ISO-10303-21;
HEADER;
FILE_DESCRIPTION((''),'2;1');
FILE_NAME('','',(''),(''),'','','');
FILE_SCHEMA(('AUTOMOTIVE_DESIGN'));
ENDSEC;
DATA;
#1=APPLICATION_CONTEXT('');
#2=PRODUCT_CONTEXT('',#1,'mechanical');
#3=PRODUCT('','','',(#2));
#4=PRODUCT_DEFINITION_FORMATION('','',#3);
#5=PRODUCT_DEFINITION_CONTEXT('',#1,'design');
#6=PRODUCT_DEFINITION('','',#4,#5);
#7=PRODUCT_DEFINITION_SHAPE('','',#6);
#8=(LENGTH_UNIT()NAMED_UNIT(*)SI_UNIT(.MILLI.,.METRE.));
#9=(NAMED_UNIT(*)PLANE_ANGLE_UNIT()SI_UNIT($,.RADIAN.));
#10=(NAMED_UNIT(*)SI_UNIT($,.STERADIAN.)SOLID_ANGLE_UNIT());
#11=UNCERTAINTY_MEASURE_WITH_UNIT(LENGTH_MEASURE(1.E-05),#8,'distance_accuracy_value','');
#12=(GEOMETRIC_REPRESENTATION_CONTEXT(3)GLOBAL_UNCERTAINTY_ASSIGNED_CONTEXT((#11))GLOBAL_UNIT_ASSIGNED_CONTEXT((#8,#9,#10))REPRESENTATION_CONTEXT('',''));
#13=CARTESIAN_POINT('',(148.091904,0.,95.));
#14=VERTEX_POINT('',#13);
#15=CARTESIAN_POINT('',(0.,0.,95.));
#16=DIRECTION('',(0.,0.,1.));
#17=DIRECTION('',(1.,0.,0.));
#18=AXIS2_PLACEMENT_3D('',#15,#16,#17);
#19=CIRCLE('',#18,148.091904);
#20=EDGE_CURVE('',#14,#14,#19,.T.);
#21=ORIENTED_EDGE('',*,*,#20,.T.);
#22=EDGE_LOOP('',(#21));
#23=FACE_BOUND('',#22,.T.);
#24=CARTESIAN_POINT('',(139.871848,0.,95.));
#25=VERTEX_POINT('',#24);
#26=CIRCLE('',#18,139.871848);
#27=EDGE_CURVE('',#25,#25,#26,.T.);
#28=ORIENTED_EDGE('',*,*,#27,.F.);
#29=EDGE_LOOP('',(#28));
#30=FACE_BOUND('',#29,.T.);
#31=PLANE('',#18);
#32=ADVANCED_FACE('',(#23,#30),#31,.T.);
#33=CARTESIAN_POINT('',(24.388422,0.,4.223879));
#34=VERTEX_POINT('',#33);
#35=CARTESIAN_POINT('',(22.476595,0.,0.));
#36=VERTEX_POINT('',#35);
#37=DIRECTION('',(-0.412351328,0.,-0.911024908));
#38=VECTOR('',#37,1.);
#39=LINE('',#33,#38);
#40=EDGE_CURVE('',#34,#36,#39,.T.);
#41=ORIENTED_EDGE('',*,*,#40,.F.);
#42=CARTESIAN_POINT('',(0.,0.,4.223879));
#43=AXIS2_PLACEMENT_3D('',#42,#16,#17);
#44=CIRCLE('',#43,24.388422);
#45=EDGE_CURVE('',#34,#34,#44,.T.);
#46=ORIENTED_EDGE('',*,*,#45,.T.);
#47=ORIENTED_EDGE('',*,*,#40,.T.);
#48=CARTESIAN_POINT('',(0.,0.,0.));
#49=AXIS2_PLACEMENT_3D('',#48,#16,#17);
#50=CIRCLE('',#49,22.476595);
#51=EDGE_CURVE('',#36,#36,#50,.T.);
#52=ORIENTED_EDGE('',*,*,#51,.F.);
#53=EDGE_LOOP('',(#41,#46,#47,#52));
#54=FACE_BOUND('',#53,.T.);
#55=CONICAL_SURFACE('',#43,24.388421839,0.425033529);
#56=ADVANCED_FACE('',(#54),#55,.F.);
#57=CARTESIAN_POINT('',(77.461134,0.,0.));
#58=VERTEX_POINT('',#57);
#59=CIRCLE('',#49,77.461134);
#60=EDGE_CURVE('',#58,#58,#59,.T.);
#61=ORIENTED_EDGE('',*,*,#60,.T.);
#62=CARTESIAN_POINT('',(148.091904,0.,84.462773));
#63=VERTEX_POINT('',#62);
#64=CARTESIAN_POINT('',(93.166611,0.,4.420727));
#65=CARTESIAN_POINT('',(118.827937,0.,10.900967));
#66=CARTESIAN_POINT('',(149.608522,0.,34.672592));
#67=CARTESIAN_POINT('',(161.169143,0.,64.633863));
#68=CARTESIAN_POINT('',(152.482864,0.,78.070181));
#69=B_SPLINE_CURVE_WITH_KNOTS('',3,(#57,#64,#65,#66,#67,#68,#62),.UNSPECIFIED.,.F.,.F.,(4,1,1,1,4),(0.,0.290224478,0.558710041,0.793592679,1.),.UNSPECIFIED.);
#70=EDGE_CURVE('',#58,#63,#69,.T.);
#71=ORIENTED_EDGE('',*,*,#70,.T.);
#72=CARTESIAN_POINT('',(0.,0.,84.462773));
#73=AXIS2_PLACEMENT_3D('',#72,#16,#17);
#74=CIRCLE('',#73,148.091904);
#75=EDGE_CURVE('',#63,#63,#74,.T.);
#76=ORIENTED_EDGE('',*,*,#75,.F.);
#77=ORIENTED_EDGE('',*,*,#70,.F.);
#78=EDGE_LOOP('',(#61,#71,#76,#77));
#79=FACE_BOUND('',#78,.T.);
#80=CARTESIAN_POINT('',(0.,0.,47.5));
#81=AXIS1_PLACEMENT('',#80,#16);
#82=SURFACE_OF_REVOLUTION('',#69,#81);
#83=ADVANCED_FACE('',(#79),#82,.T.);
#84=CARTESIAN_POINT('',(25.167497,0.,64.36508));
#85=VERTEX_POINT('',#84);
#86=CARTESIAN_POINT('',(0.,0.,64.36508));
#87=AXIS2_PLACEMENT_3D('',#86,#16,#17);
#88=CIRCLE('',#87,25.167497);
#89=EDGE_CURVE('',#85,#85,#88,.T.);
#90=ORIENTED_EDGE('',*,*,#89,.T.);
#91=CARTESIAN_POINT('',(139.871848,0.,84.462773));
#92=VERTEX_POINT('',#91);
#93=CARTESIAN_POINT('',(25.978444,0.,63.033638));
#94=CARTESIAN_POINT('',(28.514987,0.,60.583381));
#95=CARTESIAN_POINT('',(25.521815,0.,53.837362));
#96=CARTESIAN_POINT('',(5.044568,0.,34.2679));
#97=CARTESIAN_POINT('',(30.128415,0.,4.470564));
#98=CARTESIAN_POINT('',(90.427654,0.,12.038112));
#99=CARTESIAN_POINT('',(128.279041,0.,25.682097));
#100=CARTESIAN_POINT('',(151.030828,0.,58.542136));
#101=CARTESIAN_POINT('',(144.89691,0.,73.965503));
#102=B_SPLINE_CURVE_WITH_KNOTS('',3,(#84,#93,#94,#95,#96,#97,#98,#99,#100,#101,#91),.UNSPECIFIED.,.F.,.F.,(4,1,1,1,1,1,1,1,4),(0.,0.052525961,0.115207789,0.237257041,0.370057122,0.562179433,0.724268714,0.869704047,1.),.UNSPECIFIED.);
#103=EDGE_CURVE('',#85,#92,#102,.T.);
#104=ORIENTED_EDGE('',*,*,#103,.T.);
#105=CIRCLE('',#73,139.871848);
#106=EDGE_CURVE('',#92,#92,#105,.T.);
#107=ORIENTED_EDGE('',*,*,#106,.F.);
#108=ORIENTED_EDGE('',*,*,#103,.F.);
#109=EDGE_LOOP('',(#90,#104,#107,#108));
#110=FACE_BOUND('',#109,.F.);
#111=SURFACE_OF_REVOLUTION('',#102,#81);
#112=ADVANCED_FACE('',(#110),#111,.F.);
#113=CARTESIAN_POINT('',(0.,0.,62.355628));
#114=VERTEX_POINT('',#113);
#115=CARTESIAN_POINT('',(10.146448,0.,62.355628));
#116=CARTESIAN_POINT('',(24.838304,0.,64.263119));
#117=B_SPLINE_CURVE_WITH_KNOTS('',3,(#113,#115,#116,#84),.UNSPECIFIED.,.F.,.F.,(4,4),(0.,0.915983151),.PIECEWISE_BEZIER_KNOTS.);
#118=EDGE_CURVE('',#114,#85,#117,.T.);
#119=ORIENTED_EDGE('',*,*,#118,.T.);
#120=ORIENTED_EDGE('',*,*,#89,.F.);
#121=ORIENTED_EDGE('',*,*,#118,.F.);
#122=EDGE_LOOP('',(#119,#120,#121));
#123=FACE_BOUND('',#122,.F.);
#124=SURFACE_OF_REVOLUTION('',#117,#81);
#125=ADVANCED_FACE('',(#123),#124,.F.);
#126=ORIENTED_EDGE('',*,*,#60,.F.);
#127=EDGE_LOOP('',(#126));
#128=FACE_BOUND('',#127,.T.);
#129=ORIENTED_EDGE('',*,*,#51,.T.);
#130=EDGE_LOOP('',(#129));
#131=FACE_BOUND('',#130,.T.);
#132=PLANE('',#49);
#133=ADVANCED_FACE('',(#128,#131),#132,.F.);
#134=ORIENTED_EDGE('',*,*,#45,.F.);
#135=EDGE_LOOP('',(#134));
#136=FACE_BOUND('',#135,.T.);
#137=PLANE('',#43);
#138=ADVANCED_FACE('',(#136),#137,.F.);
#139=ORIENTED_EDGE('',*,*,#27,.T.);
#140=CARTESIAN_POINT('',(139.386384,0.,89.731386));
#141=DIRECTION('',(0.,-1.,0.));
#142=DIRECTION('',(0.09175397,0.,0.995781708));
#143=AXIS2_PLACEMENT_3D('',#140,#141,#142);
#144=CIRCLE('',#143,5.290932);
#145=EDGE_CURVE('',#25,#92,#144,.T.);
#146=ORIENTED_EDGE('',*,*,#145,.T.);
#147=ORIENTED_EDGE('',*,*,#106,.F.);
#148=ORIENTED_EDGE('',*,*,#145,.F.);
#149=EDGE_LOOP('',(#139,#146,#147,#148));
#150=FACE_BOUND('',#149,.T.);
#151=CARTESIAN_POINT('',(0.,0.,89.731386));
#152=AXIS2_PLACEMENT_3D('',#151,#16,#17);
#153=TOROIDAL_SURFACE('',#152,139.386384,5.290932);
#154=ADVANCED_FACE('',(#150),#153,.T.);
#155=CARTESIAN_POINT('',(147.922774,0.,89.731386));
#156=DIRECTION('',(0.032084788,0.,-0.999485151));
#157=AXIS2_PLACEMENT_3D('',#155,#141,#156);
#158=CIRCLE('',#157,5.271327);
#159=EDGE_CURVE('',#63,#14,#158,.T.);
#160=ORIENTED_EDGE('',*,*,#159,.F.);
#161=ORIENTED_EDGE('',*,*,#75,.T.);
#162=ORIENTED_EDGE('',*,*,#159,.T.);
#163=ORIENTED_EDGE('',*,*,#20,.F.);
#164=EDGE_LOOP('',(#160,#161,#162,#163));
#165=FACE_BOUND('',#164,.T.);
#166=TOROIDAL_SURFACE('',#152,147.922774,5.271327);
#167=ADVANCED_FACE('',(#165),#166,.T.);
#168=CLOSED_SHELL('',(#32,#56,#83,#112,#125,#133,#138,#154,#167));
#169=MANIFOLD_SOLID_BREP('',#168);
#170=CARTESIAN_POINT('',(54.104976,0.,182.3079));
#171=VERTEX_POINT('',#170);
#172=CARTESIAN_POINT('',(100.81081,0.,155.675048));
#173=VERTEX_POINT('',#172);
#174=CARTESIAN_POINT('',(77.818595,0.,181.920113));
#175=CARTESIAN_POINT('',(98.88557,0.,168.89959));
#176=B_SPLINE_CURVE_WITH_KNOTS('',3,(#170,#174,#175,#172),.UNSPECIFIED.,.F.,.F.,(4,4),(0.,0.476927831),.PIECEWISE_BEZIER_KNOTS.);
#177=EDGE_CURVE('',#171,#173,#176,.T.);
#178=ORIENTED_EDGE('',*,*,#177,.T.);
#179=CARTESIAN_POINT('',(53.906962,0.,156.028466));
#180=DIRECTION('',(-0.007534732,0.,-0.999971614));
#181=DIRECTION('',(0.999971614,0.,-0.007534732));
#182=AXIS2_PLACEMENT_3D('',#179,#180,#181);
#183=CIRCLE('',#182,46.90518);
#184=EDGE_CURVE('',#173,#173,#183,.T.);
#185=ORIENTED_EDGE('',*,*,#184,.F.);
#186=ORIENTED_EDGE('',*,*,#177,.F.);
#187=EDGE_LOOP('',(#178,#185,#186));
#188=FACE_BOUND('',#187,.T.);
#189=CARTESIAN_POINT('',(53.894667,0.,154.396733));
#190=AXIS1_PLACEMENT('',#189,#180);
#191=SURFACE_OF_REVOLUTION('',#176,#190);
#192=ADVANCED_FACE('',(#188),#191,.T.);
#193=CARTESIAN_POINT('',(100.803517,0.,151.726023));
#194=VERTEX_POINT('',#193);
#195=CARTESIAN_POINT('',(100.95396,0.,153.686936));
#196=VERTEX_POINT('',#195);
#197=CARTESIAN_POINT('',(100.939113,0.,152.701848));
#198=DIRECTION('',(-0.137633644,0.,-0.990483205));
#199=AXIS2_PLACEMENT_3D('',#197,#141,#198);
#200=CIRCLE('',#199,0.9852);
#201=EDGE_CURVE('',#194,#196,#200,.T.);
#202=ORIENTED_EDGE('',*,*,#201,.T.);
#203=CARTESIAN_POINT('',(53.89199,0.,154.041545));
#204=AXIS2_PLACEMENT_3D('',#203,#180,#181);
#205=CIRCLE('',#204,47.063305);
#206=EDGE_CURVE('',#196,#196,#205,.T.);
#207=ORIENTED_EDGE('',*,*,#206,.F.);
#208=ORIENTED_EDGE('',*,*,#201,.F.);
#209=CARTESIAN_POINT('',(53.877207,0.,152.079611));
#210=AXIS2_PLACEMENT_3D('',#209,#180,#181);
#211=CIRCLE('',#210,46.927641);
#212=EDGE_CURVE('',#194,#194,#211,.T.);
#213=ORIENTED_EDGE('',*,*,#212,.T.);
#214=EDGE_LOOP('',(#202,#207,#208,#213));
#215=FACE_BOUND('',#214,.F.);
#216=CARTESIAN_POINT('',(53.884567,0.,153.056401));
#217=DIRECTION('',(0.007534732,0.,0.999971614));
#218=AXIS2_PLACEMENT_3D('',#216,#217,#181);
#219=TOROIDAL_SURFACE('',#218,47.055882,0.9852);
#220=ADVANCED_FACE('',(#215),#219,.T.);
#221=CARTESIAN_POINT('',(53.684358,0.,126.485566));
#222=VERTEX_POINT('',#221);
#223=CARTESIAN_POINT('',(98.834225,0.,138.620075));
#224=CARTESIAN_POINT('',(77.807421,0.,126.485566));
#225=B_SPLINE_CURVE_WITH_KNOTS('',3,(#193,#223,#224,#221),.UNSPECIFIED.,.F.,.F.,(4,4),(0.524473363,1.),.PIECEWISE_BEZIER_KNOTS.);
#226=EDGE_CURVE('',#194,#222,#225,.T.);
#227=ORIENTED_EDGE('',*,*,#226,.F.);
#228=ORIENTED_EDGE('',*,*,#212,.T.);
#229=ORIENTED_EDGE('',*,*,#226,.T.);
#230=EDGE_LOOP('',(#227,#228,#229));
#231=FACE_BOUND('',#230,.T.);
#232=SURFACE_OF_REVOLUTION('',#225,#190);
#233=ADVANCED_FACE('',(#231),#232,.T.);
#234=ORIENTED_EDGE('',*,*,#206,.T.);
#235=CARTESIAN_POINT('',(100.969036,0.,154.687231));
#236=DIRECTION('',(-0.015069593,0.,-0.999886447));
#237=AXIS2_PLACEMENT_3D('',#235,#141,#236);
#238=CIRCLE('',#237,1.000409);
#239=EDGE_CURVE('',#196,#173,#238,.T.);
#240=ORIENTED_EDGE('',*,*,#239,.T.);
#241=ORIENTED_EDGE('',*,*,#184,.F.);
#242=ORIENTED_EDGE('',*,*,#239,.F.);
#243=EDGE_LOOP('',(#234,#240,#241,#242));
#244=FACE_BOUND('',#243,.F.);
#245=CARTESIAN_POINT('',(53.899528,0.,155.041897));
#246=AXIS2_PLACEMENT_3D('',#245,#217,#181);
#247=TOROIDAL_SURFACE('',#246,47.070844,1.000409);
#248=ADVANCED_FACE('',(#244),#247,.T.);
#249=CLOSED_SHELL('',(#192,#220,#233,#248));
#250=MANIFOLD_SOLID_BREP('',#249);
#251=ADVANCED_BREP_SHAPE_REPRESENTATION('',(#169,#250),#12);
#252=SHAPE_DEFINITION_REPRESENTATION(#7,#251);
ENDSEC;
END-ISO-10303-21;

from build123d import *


with BuildPart() as f2:
    # F1 (on Front) → F2 (revolve)
    with BuildSketch(Plane.XZ):
        with BuildLine():
            Line((100.9539597918, 153.6869357028), (53.8946625204, 154.3961807153))
            Line((53.8946625204, 154.3961807153), (53.6843575537, 126.4855663843))
            add(Edge.make_bspline(
                [(100.803516557, 151.7260234562), (98.8342249639, 138.6200750679), (77.8074213832, 126.4855663843), (53.6843575537, 126.4855663843)],
                knots=[0.5244733631, 0.5244733631, 0.5244733631, 0.5244733631, 1, 1, 1, 1], degree=3))
            add(Edge.make_bspline(
                [(100.9539597918, 153.6869357028), (100.952241415, 153.0318113209), (100.901439532, 152.3777164107), (100.803516557, 151.7260234562)],
                knots=[0.500827813, 0.500827813, 0.500827813, 0.500827813, 0.5244733631, 0.5244733631, 0.5244733631, 0.5244733631], degree=3))
        make_face()
        with BuildLine():
            Line((54.1049758127, 182.3078999976), (53.8946625204, 154.3961807153))
            Line((53.8946625204, 154.3961807153), (100.9539597918, 153.6869357028))
            add(Edge.make_bspline(
                [(100.8108097367, 155.6750479236), (100.9072880341, 155.0123348294), (100.9556966589, 154.3491093933), (100.9539597918, 153.6869357028)],
                knots=[0.4769278307, 0.4769278307, 0.4769278307, 0.4769278307, 0.500827813, 0.500827813, 0.500827813, 0.500827813], degree=3))
            add(Edge.make_bspline(
                [(54.1049758127, 182.3078999976), (77.8185945672, 181.9201129899), (98.885570446, 168.899589839), (100.8108097367, 155.6750479236)],
                knots=[0, 0, 0, 0, 0.4769278307, 0.4769278307, 0.4769278307, 0.4769278307], degree=3))
        make_face()
        with BuildLine():
            ThreePointArc((100.803516557, 151.7260234562), (101.9214264961, 152.6264834428), (100.9539597918, 153.6869357028))
            add(Edge.make_bspline(
                [(100.9539597918, 153.6869357028), (100.952241415, 153.0318113209), (100.901439532, 152.3777164107), (100.803516557, 151.7260234562)],
                knots=[0.500827813, 0.500827813, 0.500827813, 0.500827813, 0.5244733631, 0.5244733631, 0.5244733631, 0.5244733631], degree=3))
        make_face()
        with BuildLine():
            add(Edge.make_bspline(
                [(100.8108097367, 155.6750479236), (100.9072880341, 155.0123348294), (100.9556966589, 154.3491093933), (100.9539597918, 153.6869357028)],
                knots=[0.4769278307, 0.4769278307, 0.4769278307, 0.4769278307, 0.500827813, 0.500827813, 0.500827813, 0.500827813], degree=3))
            ThreePointArc((100.9539597918, 153.6869357028), (101.9668611364, 154.7590773713), (100.8108097367, 155.6750479236))
        make_face()
    revolve(axis=Axis((53.8946666832, 0, 154.3967331909), (-0.0075347319, 0, -0.9999716135)))


with BuildPart() as f3:
    # F0 (on Front) → F3 (revolve)
    with BuildSketch(Plane.XZ):
        with BuildLine():
            Line((0, 62.3556279482), (0, 4.2238785906))
            Line((0, 4.2238785906), (24.3884218393, 4.2238785906))
            Line((24.3884218393, 4.2238785906), (22.4765949153, 0))
            Line((22.4765949153, 0), (77.4611339211, 0))
            add(Edge.make_bspline(
                [(77.4611339211, 0), (93.1666108313, 4.4207265781), (118.8279367256, 10.900967145), (149.6085224499, 34.6725917007), (161.1691432434, 64.6338629446), (152.4828639266, 78.0701809548), (148.0919038487, 84.4627729874)],
                knots=[0, 0, 0, 0, 0.2902244782, 0.5587100408, 0.7935926793, 1, 1, 1, 1], degree=3))
            ThreePointArc((148.0919038487, 84.4627729874), (153.1941018693, 89.7313864937), (148.0919038487, 95))
            Line((148.0919038487, 95), (139.8718477782, 95))
            ThreePointArc((139.8718477782, 95), (134.0954515401, 89.7313864937), (139.8718477782, 84.4627729874))
            add(Edge.make_bspline(
                [(25.1674968779, 64.365080406), (25.978444339, 63.0336382539), (28.5149868586, 60.5833814618), (25.5218148064, 53.8373623201), (5.0445680111, 34.2678997906), (30.1284148895, 4.4705643486), (90.427654348, 12.0381119288), (128.2790409079, 25.6820966453), (151.0308275998, 58.5421357466), (144.8969104121, 73.965502905), (139.8718477782, 84.4627729874)],
                knots=[0, 0, 0, 0, 0.0525259607, 0.1152077892, 0.2372570414, 0.3700571217, 0.5621794333, 0.7242687141, 0.8697040471, 1, 1, 1, 1], degree=3))
            add(Edge.make_bspline(
                [(0, 62.3556279482), (10.1464483752, 62.3556279482), (24.8383038806, 64.2631190964), (25.1674968779, 64.365080406)],
                knots=[0, 0, 0, 0, 0.9159831513, 0.9159831513, 0.9159831513, 0.9159831513], degree=3))
        make_face()
    revolve(axis=Axis((0, 0, 47.5), (0, 0, 1)))


solid = Compound([f2.part, f3.part])
